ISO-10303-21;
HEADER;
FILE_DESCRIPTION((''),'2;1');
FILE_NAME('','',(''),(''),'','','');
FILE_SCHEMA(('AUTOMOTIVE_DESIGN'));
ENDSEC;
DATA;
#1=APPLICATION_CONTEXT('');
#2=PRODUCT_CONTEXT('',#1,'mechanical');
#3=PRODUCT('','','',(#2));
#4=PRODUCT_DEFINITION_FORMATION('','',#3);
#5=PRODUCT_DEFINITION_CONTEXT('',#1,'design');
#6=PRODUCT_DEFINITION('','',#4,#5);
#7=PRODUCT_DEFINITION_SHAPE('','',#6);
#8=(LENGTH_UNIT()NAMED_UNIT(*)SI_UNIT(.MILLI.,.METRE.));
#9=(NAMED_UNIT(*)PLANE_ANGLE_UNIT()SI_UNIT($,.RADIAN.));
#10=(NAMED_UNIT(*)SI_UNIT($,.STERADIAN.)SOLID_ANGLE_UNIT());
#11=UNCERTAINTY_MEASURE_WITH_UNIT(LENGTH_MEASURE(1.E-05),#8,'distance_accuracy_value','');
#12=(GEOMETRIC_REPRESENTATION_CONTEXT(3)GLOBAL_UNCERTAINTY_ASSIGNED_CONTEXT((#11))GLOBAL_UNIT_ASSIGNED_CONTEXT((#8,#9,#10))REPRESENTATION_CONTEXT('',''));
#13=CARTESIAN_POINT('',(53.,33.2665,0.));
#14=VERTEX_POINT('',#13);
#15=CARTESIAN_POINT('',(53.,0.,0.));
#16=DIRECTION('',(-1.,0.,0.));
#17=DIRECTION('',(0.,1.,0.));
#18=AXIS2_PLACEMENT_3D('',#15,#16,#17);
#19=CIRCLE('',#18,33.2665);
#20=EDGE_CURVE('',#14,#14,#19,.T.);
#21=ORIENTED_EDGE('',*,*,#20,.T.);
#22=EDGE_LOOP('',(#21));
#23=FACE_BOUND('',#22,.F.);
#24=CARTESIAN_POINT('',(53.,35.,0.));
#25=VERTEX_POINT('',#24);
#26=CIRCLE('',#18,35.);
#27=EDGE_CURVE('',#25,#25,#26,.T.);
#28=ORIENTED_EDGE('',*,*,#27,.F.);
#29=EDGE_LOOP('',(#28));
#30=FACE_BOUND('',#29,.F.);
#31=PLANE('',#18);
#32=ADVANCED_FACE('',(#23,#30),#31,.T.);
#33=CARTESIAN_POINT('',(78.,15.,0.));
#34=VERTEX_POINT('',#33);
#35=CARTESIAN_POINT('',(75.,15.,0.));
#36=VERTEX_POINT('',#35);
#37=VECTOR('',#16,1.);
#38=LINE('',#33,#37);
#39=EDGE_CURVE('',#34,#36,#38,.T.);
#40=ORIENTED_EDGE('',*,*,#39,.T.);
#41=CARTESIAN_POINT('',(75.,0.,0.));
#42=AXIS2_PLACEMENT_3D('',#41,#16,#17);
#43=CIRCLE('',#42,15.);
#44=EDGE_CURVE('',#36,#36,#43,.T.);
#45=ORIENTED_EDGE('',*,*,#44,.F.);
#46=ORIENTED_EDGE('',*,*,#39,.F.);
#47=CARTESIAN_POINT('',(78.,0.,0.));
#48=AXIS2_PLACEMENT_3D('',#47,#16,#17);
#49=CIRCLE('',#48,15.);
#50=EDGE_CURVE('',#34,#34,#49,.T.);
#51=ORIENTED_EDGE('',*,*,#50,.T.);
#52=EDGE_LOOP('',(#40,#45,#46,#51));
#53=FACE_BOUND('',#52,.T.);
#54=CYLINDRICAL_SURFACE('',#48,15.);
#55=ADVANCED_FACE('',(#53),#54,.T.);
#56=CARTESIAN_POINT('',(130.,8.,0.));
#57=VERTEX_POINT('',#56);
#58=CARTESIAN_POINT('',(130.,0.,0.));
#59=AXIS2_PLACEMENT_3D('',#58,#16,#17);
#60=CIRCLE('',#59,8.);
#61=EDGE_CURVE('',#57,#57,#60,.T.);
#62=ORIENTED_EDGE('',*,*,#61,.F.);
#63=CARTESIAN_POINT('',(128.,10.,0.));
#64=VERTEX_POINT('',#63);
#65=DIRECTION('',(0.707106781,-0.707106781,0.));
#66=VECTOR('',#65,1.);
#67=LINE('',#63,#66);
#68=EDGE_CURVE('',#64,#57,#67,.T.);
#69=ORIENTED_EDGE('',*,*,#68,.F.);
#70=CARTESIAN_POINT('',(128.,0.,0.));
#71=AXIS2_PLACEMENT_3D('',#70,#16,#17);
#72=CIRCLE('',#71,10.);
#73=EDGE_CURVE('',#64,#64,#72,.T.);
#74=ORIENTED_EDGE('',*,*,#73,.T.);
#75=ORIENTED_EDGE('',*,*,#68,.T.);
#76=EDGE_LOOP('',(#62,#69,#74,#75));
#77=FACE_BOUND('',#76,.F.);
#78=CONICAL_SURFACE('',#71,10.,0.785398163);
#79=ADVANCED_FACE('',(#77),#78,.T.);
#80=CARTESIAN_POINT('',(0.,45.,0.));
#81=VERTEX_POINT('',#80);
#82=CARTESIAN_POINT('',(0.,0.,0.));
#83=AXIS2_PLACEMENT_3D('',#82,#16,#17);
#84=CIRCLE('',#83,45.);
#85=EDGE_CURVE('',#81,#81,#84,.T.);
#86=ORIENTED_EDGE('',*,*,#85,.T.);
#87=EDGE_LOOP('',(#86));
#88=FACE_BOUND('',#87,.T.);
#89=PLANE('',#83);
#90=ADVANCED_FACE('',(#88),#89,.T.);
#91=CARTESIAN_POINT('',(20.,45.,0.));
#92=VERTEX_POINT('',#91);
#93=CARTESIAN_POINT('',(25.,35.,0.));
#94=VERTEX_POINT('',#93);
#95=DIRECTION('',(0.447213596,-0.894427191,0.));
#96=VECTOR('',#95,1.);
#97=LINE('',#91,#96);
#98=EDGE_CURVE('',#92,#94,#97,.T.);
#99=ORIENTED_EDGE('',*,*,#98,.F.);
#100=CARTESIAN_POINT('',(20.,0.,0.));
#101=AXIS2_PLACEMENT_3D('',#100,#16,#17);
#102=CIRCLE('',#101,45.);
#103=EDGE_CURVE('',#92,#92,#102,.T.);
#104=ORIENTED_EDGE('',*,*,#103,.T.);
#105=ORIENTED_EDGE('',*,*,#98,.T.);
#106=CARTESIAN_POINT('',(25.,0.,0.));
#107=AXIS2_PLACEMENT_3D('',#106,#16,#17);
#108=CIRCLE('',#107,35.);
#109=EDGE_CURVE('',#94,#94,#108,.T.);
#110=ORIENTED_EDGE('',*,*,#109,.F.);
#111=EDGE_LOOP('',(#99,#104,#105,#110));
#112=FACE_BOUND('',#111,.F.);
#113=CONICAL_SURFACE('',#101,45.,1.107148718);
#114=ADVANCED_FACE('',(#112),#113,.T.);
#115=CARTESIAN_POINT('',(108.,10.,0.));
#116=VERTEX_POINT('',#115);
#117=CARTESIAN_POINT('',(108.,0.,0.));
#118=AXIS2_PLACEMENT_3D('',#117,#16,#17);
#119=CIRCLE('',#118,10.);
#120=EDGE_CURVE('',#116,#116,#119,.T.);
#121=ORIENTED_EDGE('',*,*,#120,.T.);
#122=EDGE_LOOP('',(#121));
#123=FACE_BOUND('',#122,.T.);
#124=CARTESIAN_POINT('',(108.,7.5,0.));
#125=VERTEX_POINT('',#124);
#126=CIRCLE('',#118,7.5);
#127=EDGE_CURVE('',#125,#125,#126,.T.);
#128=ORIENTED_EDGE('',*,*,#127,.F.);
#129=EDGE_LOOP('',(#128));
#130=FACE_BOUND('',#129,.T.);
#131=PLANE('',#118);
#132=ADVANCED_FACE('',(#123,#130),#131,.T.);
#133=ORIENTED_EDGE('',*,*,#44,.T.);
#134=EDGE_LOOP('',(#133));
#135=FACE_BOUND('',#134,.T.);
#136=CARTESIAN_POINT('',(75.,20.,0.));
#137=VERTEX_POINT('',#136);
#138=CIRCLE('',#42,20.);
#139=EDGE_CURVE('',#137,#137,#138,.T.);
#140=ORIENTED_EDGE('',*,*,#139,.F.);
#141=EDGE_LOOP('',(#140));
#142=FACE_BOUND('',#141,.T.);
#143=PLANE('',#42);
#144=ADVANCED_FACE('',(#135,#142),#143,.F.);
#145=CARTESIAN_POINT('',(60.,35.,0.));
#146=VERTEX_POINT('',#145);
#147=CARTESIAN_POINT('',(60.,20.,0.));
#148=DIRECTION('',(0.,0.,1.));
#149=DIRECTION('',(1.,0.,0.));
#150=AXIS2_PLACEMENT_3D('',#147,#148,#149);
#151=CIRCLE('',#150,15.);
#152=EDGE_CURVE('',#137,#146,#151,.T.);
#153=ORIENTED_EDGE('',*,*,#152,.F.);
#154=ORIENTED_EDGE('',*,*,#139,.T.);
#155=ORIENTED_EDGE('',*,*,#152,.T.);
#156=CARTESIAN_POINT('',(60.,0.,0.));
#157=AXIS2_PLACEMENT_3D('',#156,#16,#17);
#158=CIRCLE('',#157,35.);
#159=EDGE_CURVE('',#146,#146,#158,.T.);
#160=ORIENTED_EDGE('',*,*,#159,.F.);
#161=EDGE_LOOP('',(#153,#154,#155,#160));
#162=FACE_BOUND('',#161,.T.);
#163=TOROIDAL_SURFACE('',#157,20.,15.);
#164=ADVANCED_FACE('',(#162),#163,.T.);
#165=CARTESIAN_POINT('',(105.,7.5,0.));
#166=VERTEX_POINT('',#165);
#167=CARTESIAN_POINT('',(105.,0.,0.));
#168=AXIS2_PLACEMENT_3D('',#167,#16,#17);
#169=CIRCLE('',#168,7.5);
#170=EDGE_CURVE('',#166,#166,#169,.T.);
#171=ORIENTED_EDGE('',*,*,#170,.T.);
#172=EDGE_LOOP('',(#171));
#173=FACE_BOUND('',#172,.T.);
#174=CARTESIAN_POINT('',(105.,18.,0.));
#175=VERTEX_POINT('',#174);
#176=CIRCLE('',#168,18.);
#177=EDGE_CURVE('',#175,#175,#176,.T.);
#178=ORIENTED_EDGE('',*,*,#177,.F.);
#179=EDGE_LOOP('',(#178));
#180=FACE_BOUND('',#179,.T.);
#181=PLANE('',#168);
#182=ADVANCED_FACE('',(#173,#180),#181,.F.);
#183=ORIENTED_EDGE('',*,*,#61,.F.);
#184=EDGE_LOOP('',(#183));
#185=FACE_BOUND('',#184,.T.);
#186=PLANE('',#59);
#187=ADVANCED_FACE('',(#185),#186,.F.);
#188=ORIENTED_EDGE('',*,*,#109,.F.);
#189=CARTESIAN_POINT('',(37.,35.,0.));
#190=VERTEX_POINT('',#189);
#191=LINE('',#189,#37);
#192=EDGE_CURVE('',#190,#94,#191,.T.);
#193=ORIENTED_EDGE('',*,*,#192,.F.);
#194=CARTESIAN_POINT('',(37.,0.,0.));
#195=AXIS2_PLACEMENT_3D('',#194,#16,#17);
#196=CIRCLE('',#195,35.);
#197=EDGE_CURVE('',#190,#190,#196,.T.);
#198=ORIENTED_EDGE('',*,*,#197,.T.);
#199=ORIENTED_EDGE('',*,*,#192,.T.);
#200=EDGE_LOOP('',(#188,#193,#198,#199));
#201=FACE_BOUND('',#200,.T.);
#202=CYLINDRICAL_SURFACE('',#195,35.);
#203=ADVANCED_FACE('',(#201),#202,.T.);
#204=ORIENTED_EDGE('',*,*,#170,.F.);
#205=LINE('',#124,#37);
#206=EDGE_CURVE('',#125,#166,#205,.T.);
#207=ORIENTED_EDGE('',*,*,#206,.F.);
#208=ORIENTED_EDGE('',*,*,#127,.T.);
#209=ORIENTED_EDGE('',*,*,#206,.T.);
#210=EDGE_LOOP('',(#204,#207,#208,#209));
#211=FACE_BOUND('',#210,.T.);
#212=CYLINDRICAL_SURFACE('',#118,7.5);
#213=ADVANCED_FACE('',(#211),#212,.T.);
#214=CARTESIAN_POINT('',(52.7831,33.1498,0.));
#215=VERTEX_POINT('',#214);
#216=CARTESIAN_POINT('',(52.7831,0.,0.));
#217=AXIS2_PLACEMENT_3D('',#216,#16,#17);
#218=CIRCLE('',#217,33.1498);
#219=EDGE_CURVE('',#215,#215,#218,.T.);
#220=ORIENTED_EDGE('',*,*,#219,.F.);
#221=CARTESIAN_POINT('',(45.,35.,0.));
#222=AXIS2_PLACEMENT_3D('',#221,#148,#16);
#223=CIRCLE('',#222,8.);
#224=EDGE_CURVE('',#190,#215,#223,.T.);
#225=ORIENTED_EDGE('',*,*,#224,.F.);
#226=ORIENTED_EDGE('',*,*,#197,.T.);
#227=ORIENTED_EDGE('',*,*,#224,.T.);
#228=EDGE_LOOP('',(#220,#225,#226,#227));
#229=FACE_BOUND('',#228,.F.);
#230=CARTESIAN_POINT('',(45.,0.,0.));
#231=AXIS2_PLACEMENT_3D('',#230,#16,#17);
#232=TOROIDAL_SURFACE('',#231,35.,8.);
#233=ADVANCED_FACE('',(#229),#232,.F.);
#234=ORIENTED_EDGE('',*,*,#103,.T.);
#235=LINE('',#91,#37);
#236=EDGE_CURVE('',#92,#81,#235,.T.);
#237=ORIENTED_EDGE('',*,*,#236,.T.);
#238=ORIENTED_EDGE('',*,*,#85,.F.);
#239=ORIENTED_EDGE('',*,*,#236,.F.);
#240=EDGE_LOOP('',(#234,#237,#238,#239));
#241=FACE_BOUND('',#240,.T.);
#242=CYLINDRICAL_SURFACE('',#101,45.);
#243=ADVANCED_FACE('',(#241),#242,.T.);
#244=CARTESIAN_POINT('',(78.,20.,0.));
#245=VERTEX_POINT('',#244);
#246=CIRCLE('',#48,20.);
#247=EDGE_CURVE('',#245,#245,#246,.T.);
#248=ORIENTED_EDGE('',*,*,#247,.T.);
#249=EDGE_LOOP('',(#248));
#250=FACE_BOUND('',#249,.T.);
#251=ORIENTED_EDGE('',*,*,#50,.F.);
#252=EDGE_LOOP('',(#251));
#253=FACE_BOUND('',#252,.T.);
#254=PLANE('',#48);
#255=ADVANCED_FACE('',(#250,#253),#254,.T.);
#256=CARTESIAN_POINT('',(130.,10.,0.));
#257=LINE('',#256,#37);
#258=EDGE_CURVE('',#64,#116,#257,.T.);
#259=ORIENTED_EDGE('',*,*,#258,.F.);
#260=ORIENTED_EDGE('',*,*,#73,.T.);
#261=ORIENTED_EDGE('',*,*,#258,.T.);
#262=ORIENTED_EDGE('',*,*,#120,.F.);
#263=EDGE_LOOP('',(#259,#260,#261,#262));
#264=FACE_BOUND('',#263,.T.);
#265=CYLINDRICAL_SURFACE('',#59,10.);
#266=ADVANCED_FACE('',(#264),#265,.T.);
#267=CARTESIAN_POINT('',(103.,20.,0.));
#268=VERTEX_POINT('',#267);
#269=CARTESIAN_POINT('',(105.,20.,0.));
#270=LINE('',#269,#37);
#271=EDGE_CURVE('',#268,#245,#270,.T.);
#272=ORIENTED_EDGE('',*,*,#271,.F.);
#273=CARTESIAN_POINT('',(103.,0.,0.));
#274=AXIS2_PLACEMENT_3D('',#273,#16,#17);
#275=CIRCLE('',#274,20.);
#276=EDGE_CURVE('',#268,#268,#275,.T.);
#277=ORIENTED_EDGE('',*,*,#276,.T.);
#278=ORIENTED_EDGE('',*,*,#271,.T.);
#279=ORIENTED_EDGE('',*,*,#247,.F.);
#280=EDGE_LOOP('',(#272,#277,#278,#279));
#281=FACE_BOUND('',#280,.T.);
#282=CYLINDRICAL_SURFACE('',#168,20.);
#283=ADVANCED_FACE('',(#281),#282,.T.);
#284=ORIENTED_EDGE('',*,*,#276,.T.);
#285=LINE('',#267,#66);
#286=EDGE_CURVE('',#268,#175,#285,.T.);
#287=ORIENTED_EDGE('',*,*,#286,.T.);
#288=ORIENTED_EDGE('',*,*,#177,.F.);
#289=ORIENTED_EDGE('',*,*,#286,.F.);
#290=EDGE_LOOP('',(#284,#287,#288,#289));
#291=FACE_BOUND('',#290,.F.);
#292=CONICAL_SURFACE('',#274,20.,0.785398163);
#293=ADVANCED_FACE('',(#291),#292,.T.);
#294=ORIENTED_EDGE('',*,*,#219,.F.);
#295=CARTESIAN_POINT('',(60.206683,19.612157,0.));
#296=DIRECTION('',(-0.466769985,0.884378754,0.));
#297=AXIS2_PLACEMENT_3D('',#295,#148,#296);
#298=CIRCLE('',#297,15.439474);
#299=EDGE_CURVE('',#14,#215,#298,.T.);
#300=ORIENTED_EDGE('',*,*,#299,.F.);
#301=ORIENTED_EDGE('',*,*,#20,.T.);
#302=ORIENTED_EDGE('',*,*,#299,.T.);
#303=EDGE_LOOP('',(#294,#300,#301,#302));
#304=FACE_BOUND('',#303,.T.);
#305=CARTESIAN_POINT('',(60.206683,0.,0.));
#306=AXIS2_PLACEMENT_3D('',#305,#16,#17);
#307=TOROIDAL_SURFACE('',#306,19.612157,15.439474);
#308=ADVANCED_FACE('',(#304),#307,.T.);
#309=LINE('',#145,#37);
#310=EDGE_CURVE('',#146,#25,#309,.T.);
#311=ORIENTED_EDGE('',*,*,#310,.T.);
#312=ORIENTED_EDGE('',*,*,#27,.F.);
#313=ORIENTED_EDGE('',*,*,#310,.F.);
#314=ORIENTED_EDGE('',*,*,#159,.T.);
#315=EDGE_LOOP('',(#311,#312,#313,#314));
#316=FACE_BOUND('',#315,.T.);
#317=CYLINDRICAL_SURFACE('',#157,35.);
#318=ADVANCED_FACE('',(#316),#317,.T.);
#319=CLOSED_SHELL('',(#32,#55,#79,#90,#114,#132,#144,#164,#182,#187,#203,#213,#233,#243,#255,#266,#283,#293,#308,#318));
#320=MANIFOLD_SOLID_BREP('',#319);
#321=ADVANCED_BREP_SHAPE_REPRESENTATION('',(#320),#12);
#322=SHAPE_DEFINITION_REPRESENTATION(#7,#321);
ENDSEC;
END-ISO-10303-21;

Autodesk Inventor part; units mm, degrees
ref_plane "YZ Plane" through (0, 0, 0) normal (1, 0, 0) x (0, 1, 0)
ref_plane "XZ Plane" through (0, 0, 0) normal (0, 1, 0) x (-1, 0, 0)
ref_plane "XY Plane" through (0, 0, 0) normal (0, 0, 1) x (1, 0, 0)
sketch "Sketch1" plane through (0, 0, 0) normal (0, 0, 1) x (1, 0, 0)
  line L0 (0, 0) -> (20, 0)
  line L1 (20, 35) -> (20, 45)
  line L2 (20, 45) -> (0, 45)
  line L3 (0, 45) -> (0, 0)
  line L4 (20, 0) -> (25, 0)
  line L5 (25, 0) -> (25, 35)
  line L6 (20, 35) -> (20, 0)
  line L7 (25, 0) -> (37, 0)
  line L8 (37, 0) -> (37, 35)
  line L9 (37, 35) -> (25, 35)
  line L10 (25, 35) -> (25, 0)
  line L11 (20, 45) -> (25, 35)
  line L12 (37, 0) -> (53, 0)
  line L13 (53, 0) -> (53, 35)
  line L14 (37, 35) -> (37, 0)
  arc A0 (37, 35) -> (53, 35) centre (45, 35) ccw
  line L15 (53, 0) -> (75, 0)
  line L16 (75, 0) -> (75, 20)
  line L17 (60, 35) -> (53, 35)
  line L18 (53, 35) -> (53, 0)
  arc A1 (75, 20) -> (60, 35) centre (60, 20) ccw
  arc A2 (53, 33.2665) -> (52.7831, 33.1498) centre (60, 20) ccw
  line L19 (75, 0) -> (78, 0)
  line L20 (78, 0) -> (78, 15)
  line L21 (78, 15) -> (75, 15)
  line L22 (75, 15) -> (75, 0)
  line L23 (78, 0) -> (105, 0)
  line L24 (105, 0) -> (105, 20)
  line L25 (105, 20) -> (78, 20)
  line L26 (78, 20) -> (78, 0)
  line L27 (105, 0) -> (108, 0)
  line L28 (108, 0) -> (108, 7.5)
  line L29 (108, 7.5) -> (105, 7.5)
  line L30 (105, 7.5) -> (105, 0)
  line L31 (108, 0) -> (130, 0)
  line L32 (130, 0) -> (130, 10)
  line L33 (130, 10) -> (108, 10)
  line L34 (108, 10) -> (108, 0)
  line L35 (164.0679, 0) -> (-30.9325, 0)
  line L36 (-30.9325, 35) -> (60, 35)
  line L37 (75, 35) -> (164.0679, 35)
  line L38 (60, 35) -> (75, 35)
  point P0 (53, 33.2665)
  dimension "d0" = 20
  dimension "d4" = 12
  dimension "d5" = 35
  dimension "d7" = 16
  dimension "d9" = 22
  dimension "d12" = 3
  dimension "d13" = 15
  dimension "d14" = 27
  dimension "d15" = 20
  dimension "d16" = 3
  dimension "d17" = 7.5
  dimension "d18" = 22
  dimension "d19" = 10
  dimension "d20" = 45
  dimension "d21" = 5
  dimension "d22" = 15
  dimension "d23" = 7
revolve "Revolution1" add sketch "Sketch1" angle 360 about axis through (164.0679, 0, 0) along (-1, 0, 0) contours L3 L36 L6 L0 | L6 L36 L5 L4 | L3 L2 L1 L36 | L5 L9 L8 L7 | L1 L11 L36 | L8 A0 A2 L13 L12 | L13 L17 A1 L16 L15 | L16 L21 L20 L19 | L20 L26 L25 L24 L23 | L24 L29 L28 L27 | L28 L34 L33 L32 L31
chamfer "Chamfer1" distance 2 angle 45 1 edges at (105, -20, 0)
chamfer "Chamfer2" distance 2 angle 45 1 edges at (130, -10, 0)
thread "Thread1" size "M40x3" class "6g" standard "ANSI Metric M Profile" full length
thread "Thread2" size "M20x1" class "6g" standard "ANSI Metric M Profile" full length
properties part number "Tarefa 2" material "Bronze, Cast"
